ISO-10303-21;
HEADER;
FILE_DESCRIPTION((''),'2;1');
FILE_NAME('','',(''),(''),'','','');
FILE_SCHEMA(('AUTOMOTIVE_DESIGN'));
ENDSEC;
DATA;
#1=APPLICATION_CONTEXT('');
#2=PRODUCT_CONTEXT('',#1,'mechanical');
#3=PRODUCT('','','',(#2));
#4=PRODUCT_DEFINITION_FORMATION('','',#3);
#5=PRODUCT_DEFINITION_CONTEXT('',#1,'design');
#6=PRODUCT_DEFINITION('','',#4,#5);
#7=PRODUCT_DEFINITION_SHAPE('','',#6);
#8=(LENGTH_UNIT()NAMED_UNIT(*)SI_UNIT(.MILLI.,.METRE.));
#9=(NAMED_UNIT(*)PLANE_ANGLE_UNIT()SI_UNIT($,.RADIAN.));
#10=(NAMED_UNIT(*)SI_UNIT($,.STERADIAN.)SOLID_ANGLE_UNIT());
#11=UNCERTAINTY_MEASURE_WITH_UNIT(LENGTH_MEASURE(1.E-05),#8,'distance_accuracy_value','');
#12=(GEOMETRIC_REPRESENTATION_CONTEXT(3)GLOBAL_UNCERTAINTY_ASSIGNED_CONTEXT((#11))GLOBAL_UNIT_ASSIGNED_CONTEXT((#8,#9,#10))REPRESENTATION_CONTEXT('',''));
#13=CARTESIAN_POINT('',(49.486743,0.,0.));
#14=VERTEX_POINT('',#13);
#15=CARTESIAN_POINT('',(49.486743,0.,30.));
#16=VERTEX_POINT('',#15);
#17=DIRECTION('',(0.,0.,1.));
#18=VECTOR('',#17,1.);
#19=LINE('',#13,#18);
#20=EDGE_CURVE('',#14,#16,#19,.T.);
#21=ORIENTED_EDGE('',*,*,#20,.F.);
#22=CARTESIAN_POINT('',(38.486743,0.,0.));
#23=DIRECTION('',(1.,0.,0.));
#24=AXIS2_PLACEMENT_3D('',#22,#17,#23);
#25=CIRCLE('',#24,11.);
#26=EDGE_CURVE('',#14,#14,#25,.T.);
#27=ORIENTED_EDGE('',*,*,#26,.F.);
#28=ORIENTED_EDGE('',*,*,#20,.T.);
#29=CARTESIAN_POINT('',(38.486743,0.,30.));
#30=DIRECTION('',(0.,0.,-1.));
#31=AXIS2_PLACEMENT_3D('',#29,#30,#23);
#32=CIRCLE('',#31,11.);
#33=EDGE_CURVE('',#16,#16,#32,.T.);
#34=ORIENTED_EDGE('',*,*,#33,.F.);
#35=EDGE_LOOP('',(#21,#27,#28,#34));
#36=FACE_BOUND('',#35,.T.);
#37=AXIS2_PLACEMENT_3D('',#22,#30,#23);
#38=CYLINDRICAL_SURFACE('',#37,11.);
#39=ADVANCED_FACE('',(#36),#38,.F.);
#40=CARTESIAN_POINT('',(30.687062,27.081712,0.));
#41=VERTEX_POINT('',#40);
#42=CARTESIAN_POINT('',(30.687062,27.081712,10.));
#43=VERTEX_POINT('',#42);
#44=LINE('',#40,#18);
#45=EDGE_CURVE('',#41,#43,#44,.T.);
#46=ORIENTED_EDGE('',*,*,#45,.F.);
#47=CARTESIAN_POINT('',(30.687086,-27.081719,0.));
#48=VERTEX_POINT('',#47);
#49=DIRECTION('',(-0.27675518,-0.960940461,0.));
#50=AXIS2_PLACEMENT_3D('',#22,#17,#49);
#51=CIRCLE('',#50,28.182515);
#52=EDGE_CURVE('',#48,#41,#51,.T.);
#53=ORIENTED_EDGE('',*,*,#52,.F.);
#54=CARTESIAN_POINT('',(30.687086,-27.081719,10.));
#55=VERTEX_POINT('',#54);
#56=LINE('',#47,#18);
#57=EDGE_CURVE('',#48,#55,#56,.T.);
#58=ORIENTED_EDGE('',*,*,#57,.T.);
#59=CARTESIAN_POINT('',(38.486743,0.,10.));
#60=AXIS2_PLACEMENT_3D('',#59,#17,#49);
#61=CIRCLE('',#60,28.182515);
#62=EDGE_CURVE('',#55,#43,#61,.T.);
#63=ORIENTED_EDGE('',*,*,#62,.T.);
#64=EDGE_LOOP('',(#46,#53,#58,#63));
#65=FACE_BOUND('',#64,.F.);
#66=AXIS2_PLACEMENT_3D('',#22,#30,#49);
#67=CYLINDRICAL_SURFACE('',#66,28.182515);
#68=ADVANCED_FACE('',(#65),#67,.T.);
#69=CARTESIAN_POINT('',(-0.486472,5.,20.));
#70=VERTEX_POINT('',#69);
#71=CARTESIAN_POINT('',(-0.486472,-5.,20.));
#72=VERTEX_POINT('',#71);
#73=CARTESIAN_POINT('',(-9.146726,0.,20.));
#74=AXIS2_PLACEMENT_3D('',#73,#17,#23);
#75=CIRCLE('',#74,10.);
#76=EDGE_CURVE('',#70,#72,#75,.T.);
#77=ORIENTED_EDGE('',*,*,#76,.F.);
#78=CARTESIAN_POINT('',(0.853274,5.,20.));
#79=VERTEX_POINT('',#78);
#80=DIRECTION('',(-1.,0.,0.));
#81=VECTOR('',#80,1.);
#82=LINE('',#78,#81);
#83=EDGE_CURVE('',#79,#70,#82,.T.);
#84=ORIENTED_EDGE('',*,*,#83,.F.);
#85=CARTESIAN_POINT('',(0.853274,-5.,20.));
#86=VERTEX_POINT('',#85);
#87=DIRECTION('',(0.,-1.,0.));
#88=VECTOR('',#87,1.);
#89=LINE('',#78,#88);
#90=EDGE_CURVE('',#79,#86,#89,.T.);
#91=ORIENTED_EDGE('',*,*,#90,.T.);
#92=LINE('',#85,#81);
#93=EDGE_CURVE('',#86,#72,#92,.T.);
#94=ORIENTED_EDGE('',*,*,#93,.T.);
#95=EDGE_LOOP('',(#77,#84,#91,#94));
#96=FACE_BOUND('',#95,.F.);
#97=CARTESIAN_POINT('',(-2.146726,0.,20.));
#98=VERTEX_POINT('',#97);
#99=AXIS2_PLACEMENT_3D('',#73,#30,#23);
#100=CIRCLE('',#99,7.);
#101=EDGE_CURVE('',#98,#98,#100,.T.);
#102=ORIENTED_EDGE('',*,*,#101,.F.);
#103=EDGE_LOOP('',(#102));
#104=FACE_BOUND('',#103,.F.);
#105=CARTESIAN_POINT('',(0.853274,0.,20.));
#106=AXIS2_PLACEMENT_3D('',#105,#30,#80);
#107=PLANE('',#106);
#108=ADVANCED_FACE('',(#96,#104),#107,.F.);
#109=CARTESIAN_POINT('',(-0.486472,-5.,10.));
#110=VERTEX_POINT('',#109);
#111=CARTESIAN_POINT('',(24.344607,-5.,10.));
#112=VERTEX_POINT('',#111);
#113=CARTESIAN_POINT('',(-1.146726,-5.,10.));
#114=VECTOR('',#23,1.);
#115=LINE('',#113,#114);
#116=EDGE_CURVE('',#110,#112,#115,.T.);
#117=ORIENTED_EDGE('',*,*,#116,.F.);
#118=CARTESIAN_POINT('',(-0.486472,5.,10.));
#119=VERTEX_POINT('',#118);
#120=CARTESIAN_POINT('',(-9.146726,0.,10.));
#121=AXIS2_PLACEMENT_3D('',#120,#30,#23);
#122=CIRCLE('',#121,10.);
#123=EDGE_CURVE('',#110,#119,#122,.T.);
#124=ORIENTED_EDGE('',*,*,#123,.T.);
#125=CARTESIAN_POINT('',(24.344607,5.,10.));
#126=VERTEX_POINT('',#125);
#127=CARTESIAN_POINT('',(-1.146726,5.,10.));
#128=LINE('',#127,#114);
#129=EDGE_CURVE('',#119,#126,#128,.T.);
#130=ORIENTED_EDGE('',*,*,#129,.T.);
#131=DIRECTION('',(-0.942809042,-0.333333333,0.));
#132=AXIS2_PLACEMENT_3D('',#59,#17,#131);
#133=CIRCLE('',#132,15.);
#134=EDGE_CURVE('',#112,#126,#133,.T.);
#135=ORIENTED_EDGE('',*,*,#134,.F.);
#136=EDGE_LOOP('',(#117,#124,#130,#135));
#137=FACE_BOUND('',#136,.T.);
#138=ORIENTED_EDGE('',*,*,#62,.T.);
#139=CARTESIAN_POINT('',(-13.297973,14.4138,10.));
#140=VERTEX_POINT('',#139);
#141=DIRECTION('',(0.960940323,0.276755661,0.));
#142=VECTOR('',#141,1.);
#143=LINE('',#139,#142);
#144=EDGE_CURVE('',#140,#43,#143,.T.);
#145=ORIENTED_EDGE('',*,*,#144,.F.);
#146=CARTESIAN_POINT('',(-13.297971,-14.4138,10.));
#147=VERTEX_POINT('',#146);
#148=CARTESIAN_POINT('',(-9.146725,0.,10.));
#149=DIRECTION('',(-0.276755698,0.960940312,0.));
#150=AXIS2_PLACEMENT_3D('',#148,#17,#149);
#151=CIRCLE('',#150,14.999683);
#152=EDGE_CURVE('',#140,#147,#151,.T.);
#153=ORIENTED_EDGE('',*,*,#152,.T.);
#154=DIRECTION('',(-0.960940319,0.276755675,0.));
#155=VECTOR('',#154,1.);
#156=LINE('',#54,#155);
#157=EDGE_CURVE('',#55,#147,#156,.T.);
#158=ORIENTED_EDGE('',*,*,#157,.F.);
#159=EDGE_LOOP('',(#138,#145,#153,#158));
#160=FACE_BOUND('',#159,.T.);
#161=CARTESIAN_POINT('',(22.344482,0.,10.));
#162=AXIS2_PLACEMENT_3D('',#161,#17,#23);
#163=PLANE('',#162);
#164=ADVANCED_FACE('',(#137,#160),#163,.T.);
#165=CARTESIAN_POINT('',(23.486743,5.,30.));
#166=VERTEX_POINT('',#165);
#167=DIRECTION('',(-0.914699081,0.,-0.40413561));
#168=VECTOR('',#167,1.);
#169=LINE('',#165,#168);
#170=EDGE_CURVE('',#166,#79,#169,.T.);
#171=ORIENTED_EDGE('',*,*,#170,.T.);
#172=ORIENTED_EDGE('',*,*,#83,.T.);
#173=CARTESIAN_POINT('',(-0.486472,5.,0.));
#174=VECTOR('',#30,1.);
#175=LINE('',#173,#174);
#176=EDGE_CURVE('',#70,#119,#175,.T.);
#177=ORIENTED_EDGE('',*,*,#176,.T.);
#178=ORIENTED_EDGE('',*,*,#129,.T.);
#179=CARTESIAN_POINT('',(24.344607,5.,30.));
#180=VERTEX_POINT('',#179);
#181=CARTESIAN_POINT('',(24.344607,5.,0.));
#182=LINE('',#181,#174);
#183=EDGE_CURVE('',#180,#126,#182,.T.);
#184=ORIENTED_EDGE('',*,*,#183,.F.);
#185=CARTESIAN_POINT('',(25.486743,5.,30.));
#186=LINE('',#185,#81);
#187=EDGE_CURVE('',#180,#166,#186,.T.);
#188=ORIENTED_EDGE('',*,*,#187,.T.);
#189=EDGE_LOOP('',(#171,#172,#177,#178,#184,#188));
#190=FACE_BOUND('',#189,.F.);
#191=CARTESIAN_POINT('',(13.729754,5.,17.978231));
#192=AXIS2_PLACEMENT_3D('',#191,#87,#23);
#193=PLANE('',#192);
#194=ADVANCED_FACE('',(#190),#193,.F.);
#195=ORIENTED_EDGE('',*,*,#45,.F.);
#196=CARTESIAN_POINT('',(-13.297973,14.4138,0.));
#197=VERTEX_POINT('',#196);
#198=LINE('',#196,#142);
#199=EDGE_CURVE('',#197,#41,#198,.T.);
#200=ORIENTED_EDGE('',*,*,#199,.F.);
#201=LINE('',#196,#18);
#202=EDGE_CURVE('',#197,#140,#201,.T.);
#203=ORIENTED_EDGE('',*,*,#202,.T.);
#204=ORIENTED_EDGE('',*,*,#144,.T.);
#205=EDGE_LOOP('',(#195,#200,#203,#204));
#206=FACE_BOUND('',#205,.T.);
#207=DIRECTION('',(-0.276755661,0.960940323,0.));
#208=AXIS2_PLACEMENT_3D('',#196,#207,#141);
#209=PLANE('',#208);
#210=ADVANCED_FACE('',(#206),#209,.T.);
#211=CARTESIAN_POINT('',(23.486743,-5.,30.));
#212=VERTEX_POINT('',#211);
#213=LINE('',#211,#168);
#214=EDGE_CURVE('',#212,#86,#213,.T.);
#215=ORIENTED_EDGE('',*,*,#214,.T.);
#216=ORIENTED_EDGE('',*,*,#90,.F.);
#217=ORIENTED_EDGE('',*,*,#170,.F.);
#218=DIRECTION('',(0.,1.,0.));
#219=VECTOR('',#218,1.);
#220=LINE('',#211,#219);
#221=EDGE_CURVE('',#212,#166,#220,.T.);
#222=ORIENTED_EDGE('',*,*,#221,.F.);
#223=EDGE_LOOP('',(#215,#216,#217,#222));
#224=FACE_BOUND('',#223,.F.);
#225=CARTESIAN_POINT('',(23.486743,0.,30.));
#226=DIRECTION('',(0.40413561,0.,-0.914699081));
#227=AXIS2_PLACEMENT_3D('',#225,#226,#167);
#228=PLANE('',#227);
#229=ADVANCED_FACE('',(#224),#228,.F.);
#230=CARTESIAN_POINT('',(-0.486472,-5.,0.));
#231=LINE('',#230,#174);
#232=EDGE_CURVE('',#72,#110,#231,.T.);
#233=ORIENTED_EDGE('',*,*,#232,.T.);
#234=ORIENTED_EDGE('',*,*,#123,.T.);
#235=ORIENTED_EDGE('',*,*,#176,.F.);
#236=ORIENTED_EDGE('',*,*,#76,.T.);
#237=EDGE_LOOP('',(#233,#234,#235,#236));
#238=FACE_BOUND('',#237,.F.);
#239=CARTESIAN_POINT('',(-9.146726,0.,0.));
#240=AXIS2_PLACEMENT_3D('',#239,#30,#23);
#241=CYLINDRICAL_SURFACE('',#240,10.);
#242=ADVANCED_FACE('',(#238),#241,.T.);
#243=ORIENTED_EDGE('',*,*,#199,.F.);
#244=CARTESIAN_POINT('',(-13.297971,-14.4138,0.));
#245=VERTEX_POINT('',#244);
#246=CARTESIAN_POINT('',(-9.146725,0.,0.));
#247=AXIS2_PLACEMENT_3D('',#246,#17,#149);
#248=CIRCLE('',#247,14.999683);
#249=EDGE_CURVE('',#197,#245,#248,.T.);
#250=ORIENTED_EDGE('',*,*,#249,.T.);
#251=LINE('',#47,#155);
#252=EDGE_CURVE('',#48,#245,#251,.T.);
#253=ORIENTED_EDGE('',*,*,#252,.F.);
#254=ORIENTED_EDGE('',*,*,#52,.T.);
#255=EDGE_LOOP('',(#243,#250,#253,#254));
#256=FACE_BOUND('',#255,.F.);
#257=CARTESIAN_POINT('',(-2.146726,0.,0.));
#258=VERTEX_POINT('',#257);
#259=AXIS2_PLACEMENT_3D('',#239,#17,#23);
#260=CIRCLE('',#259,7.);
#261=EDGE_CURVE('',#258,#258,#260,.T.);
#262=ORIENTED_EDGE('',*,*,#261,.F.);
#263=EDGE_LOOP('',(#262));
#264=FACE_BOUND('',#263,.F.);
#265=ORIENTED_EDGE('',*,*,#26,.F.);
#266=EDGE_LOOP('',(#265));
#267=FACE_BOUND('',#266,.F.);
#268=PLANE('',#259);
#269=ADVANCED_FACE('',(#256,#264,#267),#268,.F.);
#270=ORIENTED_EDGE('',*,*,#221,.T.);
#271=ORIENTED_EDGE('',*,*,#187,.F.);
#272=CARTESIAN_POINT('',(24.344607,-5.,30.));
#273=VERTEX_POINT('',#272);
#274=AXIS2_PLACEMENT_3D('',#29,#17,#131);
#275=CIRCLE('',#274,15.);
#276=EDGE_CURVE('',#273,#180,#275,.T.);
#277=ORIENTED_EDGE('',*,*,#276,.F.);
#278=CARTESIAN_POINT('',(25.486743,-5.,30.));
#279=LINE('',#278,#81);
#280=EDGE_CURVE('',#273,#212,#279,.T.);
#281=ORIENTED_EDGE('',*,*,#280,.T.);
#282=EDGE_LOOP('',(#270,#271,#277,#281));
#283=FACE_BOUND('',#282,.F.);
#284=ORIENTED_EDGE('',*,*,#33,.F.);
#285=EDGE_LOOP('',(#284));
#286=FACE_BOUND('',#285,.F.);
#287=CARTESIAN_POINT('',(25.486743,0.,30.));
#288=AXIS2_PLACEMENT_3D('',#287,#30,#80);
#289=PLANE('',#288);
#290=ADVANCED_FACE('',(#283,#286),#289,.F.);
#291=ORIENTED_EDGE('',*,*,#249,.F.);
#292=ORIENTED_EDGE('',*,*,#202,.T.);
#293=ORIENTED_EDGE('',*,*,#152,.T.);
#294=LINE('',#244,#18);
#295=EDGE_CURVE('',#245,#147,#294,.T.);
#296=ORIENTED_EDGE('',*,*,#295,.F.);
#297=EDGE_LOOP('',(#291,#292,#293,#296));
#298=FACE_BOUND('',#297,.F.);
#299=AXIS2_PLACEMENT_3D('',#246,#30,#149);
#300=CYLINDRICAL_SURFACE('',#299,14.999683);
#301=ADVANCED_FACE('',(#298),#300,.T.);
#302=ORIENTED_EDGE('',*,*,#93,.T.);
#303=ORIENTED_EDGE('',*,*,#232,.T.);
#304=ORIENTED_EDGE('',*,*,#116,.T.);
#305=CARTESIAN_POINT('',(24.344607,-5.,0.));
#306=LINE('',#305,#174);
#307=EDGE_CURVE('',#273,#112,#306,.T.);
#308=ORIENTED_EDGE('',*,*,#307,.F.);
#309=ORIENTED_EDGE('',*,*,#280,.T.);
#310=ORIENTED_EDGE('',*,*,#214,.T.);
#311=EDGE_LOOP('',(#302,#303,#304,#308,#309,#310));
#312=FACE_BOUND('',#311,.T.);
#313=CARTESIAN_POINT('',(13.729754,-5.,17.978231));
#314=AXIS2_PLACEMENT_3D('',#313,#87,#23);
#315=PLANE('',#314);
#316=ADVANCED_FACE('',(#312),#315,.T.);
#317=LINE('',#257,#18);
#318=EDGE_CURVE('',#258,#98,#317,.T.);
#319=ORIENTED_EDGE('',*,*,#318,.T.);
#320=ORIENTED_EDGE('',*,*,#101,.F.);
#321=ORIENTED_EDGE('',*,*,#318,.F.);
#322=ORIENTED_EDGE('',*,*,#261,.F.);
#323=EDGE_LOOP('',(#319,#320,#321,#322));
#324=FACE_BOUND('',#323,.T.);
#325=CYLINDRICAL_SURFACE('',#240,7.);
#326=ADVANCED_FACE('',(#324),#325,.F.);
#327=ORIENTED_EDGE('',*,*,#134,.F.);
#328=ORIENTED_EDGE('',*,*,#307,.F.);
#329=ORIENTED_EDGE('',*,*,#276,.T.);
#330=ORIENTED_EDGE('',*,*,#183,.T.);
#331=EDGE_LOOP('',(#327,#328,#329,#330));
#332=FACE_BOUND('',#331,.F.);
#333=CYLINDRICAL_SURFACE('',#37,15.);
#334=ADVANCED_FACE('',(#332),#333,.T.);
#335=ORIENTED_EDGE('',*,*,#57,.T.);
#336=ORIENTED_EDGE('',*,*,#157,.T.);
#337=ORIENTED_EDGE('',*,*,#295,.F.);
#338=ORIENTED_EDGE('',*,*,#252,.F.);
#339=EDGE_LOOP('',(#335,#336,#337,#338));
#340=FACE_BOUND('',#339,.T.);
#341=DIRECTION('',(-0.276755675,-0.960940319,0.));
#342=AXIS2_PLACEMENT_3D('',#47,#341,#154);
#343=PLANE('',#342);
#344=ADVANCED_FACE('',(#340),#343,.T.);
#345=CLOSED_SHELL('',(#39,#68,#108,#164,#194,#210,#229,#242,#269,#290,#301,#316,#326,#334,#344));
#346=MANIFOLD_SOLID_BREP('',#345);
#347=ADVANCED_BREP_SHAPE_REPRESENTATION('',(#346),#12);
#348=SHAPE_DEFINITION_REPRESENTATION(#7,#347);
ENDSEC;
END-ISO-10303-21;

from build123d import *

# Parameters (mm, degrees)
PAD_DEPTH     = 10
SKETCH001_R   = 15
PAD001_DEPTH  = 30
SKETCH002_R   = 10
PAD002_DEPTH  = 20
SKETCH003_R   = 7
SKETCH003_R_2 = 11
POCKET_DEPTH  = 30.001
PAD003_DEPTH  = 5


with BuildPart() as part:
    # Sketch → Pad (new body)
    with BuildSketch(Plane.XY):
        with BuildLine():
            ThreePointArc((-13.297973, 14.4138), (-24.146408, -1e-06), (-13.297971, -14.4138))
            Line((30.687086, -27.081719), (-13.297971, -14.4138))
            ThreePointArc((30.687086, -27.081719), (66.669258, 1.3e-05), (30.687062, 27.081712))
            Line((-13.297973, 14.4138), (30.687062, 27.081712))
        make_face()
    extrude(amount=PAD_DEPTH)

    # Sketch001 → Pad001 (join)
    with BuildSketch(Plane.XY):
        with Locations((38.486743, 0)):
            Circle(SKETCH001_R)
    extrude(amount=PAD001_DEPTH)

    # Sketch002 → Pad002 (join)
    with BuildSketch(Plane.XY):
        with Locations((-9.146726, 0)):
            Circle(SKETCH002_R)
    extrude(amount=PAD002_DEPTH)

    # Sketch003 → Pocket (cut, through all)
    with BuildSketch(Plane.XY):
        with Locations((-9.146726, 0)):
            Circle(SKETCH003_R)
        with Locations((38.486743, 0)):
            Circle(SKETCH003_R_2)
    extrude(amount=POCKET_DEPTH, mode=Mode.SUBTRACT)

    # Sketch004 (on DatumPlane) → Pad003 (join, symmetric)
    with BuildSketch(Plane(origin=(6.731097, 0, 0.333333), x_dir=(-1, 0, 0), z_dir=(0, 1, 0))):
        Polygon((-16.755646, 29.666667), (5.877823, 19.666667), (7.877823, 19.666667), (7.877823, 9.666667), (-18.755646, 9.666667), (-18.755646, 29.666667), align=None)
    extrude(amount=PAD003_DEPTH, both=True)


solid = part.part
